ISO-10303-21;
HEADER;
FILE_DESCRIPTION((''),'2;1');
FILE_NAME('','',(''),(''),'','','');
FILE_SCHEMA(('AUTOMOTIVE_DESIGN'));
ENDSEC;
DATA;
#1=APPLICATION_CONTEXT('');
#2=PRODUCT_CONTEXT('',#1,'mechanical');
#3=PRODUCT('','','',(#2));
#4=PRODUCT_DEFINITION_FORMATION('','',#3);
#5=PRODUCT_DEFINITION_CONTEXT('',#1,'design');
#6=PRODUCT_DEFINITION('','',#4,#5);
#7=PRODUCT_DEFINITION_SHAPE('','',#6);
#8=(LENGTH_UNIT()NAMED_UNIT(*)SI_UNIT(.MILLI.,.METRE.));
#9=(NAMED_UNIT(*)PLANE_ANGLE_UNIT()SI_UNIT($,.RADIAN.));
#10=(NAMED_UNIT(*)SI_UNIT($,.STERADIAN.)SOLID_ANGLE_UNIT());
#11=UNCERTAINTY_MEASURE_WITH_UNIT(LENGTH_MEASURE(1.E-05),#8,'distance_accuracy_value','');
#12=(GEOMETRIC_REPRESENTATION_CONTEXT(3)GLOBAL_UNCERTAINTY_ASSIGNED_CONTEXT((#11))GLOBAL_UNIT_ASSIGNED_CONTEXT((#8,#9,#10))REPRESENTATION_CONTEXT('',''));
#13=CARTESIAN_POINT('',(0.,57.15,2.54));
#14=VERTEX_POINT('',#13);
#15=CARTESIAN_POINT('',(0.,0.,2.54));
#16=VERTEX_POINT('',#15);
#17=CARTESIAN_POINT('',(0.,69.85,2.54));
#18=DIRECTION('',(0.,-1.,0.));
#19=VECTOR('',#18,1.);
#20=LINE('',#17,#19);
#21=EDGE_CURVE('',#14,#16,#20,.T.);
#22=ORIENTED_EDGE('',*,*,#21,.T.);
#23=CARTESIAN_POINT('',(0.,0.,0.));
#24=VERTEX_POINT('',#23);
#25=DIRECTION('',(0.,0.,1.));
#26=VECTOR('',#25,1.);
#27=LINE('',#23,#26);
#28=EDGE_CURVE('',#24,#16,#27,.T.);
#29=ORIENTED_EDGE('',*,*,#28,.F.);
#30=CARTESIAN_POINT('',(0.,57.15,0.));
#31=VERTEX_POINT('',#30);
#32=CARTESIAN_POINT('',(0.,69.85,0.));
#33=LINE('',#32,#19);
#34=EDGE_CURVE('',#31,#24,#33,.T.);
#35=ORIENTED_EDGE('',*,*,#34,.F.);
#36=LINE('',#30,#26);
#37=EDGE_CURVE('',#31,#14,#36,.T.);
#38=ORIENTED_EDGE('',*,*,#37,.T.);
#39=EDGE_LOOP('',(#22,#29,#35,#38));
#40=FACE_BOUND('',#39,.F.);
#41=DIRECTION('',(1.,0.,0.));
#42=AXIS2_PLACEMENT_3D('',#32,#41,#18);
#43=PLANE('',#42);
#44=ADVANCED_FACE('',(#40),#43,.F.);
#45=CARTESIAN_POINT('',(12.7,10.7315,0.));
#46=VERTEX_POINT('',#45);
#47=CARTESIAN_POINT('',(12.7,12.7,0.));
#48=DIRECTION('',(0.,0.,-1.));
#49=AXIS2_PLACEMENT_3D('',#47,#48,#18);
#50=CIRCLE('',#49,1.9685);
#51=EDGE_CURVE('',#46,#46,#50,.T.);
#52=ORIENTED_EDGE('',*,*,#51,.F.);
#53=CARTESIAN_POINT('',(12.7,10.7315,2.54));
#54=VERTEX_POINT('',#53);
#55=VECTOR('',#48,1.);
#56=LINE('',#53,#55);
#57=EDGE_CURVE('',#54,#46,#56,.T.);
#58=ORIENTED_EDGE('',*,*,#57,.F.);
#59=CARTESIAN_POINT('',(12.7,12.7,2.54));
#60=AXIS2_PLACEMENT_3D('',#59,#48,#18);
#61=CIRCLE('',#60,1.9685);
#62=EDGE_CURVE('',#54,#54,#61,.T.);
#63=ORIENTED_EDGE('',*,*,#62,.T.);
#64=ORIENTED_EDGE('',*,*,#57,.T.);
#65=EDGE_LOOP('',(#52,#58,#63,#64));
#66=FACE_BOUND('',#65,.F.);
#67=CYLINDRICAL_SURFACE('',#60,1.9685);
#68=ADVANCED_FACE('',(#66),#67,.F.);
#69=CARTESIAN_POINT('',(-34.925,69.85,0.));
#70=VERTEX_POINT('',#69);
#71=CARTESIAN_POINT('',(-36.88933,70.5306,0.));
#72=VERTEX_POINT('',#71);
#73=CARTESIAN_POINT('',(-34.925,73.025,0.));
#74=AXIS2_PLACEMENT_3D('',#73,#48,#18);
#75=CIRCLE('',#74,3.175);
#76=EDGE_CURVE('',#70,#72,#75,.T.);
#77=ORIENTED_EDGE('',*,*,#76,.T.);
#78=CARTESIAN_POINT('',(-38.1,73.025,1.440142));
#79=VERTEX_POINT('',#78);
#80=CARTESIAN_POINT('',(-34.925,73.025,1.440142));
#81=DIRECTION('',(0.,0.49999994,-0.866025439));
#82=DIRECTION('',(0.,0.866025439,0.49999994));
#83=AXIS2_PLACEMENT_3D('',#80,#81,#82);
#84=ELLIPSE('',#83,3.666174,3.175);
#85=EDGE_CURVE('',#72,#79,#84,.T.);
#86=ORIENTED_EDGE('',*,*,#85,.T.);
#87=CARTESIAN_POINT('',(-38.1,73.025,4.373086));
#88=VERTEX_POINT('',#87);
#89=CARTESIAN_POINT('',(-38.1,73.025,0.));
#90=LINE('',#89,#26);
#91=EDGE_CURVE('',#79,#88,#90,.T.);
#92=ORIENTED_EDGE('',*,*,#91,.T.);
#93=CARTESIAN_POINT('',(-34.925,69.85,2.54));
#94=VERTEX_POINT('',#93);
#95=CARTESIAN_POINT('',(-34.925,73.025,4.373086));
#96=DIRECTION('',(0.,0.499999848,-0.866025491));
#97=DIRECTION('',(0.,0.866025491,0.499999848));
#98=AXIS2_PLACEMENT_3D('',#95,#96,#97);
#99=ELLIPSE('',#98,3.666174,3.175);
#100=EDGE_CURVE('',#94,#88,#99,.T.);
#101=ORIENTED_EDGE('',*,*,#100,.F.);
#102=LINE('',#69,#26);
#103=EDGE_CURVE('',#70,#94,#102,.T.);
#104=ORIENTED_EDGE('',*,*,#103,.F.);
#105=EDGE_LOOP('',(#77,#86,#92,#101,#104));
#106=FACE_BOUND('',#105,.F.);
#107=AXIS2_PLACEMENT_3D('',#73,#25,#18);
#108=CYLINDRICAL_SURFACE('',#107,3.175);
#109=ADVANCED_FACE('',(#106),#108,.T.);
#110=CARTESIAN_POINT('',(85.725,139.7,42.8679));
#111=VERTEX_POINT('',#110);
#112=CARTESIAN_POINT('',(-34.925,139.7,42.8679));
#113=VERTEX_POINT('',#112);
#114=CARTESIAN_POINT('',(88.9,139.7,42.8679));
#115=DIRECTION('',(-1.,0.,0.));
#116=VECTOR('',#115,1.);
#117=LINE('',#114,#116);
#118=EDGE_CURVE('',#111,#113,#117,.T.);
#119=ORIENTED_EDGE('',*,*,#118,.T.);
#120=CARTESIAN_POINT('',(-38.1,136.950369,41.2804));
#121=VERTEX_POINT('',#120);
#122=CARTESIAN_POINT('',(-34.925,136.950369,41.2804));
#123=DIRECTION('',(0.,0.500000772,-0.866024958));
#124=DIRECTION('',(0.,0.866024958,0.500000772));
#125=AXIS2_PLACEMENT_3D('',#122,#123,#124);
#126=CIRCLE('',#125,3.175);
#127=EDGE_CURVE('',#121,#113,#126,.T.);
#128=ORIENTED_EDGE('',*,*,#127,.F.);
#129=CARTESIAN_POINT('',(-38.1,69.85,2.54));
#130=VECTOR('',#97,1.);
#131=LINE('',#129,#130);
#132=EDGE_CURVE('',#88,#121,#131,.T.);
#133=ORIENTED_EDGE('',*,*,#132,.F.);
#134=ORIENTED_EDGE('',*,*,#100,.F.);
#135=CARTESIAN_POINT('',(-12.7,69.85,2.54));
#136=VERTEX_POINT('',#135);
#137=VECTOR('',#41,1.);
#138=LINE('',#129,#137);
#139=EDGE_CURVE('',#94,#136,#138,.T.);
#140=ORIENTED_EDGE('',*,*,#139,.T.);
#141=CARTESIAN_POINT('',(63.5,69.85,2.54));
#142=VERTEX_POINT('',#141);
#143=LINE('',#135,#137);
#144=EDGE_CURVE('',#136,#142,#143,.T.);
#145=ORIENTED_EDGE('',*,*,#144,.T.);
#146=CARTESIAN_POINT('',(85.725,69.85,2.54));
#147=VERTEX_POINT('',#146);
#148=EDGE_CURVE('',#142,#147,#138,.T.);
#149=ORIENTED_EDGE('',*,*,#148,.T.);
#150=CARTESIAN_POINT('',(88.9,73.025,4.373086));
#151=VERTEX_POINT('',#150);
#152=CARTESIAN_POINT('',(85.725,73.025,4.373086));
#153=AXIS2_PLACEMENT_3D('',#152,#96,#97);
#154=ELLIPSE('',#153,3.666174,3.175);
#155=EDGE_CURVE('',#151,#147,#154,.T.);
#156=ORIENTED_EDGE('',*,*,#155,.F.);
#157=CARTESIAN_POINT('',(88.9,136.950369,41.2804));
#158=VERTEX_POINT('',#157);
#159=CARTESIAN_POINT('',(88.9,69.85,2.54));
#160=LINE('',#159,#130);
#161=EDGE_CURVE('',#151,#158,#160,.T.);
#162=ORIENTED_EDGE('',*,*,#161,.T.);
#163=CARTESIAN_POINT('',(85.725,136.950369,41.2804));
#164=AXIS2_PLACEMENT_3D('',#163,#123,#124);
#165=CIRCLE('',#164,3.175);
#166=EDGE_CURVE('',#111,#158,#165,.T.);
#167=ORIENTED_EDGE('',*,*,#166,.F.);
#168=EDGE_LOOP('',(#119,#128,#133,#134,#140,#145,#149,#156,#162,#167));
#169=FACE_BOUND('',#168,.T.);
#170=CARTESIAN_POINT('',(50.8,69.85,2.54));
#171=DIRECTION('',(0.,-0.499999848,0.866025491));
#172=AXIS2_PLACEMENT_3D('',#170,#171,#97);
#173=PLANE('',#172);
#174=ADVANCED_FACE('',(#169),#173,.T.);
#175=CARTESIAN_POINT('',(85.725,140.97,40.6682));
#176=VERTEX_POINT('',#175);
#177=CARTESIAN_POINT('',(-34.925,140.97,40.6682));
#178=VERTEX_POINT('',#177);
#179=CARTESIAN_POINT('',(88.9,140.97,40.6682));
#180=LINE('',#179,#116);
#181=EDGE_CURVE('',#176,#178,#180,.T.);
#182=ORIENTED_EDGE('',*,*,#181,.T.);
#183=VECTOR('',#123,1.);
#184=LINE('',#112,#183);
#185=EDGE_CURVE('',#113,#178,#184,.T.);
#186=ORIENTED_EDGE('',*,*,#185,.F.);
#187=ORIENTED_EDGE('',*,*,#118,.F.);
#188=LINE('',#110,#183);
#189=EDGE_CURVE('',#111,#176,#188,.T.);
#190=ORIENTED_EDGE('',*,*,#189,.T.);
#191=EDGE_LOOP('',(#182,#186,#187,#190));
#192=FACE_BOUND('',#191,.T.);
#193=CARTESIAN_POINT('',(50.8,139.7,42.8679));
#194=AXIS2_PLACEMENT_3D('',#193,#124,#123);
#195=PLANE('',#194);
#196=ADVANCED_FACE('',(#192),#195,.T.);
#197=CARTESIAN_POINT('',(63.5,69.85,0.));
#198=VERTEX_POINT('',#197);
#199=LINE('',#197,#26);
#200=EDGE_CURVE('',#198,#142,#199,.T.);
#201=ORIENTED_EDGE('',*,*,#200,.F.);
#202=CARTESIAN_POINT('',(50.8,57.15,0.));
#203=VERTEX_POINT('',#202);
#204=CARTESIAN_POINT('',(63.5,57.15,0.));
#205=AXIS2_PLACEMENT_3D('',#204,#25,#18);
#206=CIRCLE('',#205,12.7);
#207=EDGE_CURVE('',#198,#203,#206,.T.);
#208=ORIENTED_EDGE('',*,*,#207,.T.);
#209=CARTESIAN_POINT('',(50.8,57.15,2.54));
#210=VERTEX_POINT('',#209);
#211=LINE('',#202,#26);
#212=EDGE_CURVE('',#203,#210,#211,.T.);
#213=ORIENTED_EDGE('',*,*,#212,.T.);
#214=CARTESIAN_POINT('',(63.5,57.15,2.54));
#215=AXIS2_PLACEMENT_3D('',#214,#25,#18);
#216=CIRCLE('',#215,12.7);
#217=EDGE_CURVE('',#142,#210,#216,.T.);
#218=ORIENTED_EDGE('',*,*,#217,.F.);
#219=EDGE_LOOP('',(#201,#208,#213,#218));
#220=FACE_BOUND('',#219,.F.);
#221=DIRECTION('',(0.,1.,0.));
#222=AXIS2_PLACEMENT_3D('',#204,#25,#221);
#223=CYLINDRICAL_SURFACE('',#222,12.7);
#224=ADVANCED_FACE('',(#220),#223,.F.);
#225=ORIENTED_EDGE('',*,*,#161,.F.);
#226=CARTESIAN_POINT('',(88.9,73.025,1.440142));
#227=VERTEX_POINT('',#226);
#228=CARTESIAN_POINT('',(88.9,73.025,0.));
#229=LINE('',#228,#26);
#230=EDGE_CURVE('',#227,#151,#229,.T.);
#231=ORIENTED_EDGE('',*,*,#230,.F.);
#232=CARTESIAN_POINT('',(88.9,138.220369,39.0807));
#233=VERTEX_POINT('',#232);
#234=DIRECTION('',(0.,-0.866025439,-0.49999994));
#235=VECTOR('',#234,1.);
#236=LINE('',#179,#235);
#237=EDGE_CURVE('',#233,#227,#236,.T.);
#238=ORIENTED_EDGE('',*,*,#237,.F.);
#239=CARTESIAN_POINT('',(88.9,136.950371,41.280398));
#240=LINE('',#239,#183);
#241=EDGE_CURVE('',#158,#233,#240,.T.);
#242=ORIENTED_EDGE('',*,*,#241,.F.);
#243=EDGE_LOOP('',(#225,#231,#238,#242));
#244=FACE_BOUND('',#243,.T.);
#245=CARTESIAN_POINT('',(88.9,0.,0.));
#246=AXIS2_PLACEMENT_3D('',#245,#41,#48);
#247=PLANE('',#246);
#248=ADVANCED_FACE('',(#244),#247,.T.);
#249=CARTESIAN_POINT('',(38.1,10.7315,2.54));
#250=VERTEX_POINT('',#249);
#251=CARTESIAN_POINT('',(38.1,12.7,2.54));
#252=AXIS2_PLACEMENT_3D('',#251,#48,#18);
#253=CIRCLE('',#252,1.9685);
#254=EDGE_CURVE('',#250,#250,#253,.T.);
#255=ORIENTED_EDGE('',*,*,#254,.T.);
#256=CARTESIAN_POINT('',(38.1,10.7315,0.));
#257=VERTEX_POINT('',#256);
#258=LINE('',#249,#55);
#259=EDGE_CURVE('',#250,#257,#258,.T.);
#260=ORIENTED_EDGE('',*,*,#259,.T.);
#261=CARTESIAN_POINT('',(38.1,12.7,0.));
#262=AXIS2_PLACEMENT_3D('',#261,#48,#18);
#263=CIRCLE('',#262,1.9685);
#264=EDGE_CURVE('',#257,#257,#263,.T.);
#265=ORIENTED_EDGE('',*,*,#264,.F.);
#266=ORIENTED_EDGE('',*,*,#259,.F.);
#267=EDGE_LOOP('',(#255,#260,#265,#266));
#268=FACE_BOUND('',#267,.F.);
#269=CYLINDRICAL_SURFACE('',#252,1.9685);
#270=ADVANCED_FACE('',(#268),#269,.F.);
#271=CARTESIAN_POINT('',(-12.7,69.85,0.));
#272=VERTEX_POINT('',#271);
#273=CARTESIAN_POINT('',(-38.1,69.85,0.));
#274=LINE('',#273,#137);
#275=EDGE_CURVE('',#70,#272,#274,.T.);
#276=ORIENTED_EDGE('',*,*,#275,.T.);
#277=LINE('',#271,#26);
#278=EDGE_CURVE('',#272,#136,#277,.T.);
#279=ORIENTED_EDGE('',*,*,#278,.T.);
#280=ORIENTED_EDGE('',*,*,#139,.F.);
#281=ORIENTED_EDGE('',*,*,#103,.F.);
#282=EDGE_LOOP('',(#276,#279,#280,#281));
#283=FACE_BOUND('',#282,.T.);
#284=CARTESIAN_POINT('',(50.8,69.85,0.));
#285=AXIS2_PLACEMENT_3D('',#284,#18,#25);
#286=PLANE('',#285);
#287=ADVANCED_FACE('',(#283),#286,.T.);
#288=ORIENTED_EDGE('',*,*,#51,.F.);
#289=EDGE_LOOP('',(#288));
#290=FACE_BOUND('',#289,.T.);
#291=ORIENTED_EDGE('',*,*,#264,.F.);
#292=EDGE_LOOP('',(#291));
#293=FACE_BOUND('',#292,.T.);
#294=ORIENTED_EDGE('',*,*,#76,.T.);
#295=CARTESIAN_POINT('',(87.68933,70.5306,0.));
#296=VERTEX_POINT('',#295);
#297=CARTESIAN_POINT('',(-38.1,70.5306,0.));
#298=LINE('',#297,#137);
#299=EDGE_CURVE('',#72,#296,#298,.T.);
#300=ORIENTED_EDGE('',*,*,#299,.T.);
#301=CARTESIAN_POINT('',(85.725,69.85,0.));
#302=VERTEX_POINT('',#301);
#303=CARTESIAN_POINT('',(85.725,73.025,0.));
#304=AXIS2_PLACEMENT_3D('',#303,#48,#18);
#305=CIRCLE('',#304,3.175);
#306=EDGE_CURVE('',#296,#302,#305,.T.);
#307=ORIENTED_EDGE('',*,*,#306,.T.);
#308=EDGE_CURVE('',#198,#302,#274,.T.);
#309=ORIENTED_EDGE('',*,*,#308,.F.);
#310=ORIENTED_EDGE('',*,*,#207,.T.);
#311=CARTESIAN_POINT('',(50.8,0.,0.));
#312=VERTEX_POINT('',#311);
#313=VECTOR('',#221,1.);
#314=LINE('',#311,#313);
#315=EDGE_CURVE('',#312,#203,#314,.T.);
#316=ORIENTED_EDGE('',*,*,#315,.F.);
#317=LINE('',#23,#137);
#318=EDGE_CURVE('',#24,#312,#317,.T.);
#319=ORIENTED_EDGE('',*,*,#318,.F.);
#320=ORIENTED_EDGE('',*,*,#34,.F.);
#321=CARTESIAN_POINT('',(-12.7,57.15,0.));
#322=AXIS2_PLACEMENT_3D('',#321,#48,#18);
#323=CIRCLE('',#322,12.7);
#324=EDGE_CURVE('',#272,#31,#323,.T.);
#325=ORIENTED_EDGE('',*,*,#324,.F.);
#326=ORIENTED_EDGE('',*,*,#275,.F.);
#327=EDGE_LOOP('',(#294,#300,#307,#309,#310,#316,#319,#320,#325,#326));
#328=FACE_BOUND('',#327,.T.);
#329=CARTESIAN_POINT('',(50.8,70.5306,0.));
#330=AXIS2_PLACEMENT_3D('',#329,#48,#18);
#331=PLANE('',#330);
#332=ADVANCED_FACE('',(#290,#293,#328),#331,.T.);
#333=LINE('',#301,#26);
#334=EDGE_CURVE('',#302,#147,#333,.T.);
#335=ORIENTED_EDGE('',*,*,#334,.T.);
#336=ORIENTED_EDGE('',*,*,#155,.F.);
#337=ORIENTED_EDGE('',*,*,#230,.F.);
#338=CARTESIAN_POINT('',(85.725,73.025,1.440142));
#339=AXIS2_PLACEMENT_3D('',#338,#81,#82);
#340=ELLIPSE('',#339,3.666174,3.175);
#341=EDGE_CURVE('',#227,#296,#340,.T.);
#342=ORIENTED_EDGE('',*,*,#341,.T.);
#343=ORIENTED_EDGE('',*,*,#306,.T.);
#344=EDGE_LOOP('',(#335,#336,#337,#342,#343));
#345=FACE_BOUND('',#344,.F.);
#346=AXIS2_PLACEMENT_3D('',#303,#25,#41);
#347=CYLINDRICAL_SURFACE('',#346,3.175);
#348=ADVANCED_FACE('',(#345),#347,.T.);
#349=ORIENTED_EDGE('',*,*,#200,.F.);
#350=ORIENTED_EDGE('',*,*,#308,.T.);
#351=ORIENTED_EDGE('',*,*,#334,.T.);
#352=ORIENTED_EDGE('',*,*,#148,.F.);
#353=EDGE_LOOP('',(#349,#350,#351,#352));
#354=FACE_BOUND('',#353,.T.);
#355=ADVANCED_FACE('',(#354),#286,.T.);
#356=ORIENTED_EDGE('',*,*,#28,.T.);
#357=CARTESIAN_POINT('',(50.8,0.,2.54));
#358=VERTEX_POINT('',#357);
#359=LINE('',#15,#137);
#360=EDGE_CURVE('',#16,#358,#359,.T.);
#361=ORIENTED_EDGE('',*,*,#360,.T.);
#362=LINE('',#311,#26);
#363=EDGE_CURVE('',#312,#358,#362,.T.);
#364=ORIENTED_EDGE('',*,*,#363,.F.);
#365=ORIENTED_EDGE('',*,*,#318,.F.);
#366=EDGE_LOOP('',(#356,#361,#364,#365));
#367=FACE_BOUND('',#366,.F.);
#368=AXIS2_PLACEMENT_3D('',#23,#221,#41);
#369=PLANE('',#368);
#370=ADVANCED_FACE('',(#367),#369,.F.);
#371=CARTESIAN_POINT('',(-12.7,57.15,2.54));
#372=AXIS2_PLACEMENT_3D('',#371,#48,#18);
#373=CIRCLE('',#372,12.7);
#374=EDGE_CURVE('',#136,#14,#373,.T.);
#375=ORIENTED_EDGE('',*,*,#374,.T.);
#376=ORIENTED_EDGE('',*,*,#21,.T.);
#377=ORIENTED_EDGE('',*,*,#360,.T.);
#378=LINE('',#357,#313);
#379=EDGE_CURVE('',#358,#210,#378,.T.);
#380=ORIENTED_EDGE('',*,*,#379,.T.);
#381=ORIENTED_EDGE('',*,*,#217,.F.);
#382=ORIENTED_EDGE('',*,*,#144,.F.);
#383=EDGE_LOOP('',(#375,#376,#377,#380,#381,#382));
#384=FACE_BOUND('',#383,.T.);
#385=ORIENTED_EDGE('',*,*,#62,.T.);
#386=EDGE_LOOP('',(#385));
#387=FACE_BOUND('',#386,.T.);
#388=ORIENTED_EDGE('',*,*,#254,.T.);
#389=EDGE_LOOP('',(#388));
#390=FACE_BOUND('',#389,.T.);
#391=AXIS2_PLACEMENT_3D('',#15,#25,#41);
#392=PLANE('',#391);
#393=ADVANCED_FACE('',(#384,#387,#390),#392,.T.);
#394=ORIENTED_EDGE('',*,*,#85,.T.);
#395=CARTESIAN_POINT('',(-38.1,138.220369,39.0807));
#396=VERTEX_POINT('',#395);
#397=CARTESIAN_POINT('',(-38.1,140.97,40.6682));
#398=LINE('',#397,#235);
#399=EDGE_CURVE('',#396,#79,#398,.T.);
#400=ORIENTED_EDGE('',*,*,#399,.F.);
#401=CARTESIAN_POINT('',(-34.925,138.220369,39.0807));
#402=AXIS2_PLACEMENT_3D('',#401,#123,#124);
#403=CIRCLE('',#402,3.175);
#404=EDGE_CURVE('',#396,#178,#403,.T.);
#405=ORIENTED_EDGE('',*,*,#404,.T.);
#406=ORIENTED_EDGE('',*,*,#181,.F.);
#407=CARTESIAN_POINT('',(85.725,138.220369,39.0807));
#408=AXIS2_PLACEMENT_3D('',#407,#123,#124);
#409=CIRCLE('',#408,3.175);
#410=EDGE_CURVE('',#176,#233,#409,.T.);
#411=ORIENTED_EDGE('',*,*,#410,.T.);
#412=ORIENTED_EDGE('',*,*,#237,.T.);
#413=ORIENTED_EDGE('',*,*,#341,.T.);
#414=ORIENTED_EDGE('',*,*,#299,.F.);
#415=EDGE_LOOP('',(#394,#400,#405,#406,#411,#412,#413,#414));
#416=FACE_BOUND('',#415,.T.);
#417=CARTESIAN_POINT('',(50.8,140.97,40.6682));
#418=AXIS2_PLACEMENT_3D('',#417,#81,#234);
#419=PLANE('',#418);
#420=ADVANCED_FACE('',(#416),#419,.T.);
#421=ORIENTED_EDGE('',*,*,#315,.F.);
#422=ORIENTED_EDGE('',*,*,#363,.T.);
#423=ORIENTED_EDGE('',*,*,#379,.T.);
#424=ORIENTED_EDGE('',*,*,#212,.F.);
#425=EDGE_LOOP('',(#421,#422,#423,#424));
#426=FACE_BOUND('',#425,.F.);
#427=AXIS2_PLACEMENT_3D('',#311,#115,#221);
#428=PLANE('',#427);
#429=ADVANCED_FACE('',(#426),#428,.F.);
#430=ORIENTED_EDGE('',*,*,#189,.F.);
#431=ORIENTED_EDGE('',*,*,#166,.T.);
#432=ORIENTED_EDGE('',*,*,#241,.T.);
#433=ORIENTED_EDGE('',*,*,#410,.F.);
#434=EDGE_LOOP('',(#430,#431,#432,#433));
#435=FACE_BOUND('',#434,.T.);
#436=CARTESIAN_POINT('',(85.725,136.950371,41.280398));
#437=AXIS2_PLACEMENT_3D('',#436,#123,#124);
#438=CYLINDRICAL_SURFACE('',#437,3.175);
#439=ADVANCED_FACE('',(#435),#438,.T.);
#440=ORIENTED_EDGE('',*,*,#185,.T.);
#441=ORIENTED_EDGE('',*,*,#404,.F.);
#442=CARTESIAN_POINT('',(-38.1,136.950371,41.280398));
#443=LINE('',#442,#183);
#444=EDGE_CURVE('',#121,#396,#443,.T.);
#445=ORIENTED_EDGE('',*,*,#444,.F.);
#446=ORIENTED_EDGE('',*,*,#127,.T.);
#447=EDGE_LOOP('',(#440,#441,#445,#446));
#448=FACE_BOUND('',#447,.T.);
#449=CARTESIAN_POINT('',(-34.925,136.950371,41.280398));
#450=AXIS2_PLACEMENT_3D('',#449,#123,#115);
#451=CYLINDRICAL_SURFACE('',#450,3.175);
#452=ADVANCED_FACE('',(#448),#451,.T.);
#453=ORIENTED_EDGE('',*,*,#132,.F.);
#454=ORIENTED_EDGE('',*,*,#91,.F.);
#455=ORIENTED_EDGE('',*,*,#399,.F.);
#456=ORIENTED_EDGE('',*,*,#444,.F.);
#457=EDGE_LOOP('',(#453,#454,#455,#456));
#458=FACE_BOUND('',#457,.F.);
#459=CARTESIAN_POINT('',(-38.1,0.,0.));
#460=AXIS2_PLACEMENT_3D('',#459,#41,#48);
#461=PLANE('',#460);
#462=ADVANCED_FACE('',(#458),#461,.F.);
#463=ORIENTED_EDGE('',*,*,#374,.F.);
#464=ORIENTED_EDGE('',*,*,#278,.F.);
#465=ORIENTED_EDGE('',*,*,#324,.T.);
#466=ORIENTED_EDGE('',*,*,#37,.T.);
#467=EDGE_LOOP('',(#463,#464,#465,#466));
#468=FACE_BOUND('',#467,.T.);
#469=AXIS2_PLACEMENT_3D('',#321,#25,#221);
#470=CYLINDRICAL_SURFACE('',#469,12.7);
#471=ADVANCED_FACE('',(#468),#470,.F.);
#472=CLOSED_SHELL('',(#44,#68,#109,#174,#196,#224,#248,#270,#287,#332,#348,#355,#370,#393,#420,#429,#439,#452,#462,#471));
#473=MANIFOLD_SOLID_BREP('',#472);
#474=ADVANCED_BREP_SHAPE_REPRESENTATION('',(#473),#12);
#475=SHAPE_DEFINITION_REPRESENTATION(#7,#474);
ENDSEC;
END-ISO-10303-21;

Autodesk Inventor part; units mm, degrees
ref_plane "YZ Plane" through (0, 0, 0) normal (1, 0, 0) x (0, 1, 0)
ref_plane "XZ Plane" through (0, 0, 0) normal (0, 1, 0) x (-1, 0, 0)
ref_plane "XY Plane" through (0, 0, 0) normal (0, 0, 1) x (1, 0, 0)
sketch "Sketch1" plane through (0, 0, 0) normal (0, 0, 1) x (1, 0, 0)
  line L0 (0, 0) -> (50.8, 0)
  line L1 (50.8, 0) -> (50.8, 69.85)
  line L2 (50.8, 69.85) -> (0, 69.85)
  line L3 (0, 69.85) -> (0, 0)
  dimension "d0" = 50.8
  dimension "d1" = 69.85
extrude "Extrusion1" add sketch "Sketch1" along normal blind 2.54
sketch "Sketch2" plane through (50.8, 0, 0) normal (1, 0, 0) x (0, 0, -1)
  line L0 (0, 0) -> (0, 69.85) construction
  line L1 (0, 69.85) -> (0, 139.7) construction
  line L2 (-2.54, 0) -> (-2.54, 69.85) construction
  line L3 (-2.54, 69.85) -> (-42.8679, 139.7)
  line L4 (-2.54, 69.85) -> (78.1158, 69.85) construction
  line L5 (-42.8679, 139.7) -> (-40.6682, 140.97)
  line L6 (-40.6682, 140.97) -> (0, 70.5306)
  line L7 (0, 69.85) -> (-2.54, 69.85) projected
  line L8 (0, 70.5306) -> (0, 69.85)
  dimension "d4" = 69.85
  dimension "d5" = 120
  dimension "d6" = 2.54
extrude "Extrusion2" add sketch "Sketch2" along normal blind 38.1 and the other way blind 88.9
fillet "Fillet1" radius 12.7 2 edges at (0, 69.85, 1.27) (50.8, 69.85, 1.27)
fillet "Fillet2" radius 3.175 4 edges at (88.9, 140.335, 41.7681) (-38.1, 140.335, 41.7681) (-38.1, 69.85, 1.27) (88.9, 69.85, 1.27)
sketch "Sketch3" plane through (0, 0, 2.54) normal (0, 0, 1) x (1, 0, 0)
  line L0 (0, 0) -> (50.8, 0) projected
  line L1 (0, 57.15) -> (0, 0) projected
  line L2 (50.8, 0) -> (50.8, 57.15) projected
  point P0 (12.7, 12.7)
  point P1 (38.1, 12.7)
  dimension "d13" = 12.7
  dimension "d14" = 12.7
  dimension "d15" = 12.7
  dimension "d16" = 12.7
hole "Hole1" at (12.7, 12.7, 2.54) at (38.1, 12.7, 2.54) direction (0, 0, -1) diameter 3.937 end through all
properties part number "DeliveryBoxBackstop"
